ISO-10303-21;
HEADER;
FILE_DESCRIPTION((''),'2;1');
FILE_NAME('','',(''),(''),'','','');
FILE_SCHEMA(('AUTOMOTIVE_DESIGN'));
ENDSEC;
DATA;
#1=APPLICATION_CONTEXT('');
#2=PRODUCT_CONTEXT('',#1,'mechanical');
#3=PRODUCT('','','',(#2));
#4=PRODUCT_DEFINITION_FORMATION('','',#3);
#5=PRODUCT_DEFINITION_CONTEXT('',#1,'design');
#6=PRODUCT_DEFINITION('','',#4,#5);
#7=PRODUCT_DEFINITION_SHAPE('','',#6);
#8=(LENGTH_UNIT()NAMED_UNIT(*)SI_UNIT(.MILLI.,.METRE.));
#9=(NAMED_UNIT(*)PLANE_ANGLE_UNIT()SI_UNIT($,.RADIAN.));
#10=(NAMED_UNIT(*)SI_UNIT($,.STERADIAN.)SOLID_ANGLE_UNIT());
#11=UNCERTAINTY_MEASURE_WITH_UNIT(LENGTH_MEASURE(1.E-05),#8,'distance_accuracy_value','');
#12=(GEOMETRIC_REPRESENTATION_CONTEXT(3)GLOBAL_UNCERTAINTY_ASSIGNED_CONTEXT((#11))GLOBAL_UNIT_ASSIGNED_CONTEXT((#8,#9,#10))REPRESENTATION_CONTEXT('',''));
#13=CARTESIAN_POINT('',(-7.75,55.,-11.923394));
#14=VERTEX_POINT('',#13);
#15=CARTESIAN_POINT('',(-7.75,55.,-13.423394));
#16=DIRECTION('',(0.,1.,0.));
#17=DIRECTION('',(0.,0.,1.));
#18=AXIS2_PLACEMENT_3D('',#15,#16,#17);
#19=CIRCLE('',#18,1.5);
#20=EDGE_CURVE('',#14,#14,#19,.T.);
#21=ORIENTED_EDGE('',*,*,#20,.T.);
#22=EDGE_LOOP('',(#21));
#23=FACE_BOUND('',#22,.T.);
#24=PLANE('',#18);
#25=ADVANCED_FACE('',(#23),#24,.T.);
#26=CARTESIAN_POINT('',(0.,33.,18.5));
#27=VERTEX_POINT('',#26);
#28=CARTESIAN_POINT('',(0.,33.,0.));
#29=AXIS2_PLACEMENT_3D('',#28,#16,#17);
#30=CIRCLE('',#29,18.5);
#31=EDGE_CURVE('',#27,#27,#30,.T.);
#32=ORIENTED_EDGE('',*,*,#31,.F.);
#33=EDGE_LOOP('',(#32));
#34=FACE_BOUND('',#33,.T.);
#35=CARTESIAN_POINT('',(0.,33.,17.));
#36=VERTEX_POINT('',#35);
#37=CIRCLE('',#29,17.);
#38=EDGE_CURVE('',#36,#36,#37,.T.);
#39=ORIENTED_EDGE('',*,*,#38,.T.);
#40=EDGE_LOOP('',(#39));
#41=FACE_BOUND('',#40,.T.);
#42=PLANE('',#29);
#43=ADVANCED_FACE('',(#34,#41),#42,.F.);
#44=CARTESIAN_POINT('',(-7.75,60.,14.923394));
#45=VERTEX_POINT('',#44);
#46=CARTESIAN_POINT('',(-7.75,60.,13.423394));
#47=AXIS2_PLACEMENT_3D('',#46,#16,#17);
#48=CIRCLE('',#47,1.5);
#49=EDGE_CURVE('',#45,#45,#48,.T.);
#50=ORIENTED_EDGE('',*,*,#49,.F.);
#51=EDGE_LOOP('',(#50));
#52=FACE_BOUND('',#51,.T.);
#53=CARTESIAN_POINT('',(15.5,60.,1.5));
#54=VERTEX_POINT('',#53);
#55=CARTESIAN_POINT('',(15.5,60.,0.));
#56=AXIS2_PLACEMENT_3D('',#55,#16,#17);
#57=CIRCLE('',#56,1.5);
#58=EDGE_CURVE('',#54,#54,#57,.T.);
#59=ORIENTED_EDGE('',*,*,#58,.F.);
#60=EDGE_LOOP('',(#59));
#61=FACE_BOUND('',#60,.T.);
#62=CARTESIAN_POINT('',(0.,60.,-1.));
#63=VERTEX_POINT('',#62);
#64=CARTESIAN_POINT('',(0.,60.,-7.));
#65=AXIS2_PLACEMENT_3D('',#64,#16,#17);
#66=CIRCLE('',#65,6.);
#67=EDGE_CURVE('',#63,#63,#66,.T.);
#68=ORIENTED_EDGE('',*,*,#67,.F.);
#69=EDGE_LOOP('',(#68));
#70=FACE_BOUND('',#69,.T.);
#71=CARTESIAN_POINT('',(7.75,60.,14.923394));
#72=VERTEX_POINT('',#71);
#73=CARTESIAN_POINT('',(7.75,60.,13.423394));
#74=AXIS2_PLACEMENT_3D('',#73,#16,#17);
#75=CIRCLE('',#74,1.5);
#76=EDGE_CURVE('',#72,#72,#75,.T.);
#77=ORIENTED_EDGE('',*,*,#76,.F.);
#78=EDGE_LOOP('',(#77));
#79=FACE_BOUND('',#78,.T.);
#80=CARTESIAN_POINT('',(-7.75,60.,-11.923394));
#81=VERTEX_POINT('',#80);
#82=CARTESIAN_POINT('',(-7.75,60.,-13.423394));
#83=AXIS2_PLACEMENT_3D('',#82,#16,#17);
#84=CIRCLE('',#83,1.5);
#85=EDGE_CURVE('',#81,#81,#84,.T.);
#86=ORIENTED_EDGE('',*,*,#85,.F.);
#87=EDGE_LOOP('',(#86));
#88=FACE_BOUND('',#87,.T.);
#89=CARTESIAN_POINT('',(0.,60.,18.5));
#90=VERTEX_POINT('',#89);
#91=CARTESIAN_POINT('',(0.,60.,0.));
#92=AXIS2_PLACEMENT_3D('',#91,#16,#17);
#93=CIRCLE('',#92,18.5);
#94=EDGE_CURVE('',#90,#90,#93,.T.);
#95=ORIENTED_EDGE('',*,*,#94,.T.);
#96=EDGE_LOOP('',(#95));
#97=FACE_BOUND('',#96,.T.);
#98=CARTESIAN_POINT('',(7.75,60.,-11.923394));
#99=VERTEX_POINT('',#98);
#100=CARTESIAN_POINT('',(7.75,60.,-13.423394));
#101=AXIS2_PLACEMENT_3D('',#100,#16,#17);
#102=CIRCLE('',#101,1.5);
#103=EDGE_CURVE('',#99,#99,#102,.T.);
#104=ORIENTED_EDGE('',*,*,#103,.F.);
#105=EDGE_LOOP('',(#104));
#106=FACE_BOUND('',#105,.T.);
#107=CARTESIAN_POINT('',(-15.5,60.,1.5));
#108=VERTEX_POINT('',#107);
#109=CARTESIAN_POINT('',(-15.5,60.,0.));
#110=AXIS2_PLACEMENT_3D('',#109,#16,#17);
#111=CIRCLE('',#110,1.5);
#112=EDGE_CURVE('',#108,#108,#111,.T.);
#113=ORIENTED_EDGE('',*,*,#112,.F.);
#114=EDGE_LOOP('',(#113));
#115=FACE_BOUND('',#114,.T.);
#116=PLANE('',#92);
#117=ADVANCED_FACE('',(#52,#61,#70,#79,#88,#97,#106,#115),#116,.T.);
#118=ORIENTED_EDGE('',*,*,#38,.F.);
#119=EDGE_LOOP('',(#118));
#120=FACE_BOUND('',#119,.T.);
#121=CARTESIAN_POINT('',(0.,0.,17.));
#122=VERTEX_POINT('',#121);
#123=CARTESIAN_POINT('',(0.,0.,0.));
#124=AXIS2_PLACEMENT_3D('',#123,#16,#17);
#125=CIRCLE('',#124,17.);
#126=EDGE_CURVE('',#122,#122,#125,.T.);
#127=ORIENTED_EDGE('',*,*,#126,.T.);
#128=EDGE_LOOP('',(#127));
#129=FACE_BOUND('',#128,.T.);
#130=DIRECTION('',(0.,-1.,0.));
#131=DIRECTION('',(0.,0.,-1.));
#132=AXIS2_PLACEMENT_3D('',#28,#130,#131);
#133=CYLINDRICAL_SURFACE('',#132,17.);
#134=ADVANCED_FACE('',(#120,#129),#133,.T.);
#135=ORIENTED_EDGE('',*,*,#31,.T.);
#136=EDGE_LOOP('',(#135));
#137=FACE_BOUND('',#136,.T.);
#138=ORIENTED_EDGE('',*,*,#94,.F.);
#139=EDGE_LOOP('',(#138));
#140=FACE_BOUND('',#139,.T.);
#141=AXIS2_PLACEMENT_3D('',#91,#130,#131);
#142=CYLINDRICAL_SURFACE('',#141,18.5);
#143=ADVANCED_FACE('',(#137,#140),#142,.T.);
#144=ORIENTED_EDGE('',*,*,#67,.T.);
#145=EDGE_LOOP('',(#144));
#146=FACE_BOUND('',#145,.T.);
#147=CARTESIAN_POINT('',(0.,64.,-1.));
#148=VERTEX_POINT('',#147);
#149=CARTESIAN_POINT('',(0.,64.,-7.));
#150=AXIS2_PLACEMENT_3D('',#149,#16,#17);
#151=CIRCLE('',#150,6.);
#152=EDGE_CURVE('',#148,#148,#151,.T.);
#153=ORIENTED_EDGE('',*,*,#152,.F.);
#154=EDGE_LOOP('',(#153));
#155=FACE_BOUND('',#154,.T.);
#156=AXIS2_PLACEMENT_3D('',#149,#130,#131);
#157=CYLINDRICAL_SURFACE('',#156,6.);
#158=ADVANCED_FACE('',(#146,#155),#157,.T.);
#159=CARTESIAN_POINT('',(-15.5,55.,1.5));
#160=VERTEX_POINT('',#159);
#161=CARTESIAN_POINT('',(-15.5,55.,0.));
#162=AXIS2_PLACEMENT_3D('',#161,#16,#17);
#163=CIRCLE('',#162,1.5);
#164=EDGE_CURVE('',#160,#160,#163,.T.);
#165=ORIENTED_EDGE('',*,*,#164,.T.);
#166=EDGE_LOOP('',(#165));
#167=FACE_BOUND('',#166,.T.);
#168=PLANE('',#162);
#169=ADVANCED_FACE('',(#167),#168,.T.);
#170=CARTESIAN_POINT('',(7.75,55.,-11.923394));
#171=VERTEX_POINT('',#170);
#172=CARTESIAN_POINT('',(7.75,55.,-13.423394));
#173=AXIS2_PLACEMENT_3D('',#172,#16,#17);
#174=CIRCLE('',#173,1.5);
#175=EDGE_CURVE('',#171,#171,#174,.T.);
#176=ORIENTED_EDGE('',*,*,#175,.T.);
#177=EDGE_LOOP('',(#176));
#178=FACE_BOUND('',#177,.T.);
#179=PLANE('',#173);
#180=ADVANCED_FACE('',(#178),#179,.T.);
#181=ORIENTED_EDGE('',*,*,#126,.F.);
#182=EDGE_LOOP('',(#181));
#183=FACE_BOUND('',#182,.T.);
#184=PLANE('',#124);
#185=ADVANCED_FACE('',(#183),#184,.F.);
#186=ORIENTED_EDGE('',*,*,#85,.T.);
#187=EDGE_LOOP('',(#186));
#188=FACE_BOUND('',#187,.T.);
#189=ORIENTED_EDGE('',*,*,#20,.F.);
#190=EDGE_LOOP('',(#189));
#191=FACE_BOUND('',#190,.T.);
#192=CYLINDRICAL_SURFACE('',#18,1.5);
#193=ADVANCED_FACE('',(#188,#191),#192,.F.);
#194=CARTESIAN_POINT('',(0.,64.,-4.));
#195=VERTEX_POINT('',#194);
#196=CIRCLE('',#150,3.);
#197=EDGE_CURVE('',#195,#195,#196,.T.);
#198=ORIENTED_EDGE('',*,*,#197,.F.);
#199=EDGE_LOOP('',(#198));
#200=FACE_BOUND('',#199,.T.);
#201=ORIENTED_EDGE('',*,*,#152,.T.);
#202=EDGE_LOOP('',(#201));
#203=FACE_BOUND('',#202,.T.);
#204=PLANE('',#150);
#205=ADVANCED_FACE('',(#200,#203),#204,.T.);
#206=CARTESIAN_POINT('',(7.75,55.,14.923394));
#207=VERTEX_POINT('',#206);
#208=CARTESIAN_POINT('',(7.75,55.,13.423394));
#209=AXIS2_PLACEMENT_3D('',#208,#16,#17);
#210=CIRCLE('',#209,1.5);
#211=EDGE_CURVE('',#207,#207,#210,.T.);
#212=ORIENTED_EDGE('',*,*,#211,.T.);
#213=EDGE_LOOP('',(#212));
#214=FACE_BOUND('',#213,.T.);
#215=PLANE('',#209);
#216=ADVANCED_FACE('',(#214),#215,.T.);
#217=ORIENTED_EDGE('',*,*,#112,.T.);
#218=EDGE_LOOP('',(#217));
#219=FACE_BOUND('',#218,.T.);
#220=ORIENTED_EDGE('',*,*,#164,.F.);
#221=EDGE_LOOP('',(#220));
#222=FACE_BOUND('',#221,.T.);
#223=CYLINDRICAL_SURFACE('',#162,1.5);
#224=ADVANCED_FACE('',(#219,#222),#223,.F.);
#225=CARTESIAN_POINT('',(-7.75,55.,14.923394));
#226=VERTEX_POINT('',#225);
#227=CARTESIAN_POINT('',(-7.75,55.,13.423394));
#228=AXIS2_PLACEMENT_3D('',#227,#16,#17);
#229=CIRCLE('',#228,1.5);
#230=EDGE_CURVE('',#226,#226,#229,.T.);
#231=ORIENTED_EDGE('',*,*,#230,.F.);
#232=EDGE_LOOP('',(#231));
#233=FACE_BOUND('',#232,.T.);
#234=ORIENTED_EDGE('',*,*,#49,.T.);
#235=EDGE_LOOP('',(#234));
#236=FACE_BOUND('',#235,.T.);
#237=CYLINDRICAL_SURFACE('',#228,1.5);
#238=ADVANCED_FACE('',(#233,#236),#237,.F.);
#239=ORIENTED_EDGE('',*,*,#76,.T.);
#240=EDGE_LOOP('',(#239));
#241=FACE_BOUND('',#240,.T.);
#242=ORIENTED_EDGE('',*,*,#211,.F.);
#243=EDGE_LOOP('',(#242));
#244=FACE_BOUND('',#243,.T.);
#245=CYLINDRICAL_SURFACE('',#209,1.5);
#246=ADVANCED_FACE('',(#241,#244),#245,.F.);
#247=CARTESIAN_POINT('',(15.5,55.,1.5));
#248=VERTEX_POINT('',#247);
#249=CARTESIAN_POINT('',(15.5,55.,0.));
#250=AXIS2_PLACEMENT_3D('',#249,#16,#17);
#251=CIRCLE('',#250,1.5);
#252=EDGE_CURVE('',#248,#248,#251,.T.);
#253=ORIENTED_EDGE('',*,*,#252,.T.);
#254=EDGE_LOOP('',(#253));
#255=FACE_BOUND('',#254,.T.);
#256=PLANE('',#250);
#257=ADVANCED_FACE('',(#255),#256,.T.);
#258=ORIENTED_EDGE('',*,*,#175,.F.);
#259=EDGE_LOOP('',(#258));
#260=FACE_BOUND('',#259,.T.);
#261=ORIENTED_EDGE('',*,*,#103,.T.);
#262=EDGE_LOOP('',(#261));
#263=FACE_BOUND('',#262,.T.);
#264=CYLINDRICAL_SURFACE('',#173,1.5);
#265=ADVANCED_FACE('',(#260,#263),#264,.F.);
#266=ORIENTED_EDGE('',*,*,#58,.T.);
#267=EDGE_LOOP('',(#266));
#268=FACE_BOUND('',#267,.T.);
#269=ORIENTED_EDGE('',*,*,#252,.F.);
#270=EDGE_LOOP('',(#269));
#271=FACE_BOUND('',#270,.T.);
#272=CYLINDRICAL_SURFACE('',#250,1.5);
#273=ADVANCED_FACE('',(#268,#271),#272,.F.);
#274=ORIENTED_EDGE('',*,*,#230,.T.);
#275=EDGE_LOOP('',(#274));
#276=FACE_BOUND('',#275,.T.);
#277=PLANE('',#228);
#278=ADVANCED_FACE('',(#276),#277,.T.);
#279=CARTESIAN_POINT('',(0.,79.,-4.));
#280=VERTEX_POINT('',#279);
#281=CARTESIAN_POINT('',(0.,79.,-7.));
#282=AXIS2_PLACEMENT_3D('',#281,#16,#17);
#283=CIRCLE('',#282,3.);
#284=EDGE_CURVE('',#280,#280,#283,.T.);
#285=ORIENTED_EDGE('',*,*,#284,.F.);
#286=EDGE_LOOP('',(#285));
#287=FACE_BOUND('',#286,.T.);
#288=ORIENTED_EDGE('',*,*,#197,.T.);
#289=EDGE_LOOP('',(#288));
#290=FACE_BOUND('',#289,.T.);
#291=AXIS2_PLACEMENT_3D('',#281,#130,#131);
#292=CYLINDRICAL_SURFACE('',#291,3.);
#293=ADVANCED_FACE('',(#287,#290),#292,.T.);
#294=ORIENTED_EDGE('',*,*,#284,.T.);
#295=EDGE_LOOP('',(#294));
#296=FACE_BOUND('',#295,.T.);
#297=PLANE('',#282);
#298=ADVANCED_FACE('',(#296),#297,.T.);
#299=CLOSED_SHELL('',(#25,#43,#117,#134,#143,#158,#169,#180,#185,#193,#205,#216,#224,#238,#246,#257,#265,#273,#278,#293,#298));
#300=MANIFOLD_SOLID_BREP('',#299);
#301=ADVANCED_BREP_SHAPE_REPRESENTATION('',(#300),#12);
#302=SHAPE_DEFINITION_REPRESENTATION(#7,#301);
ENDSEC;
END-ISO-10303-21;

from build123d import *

# Parameters (mm, degrees)
SKETCH_1_R          = 17
EXTRUDE_1_DEPTH     = 33
SKETCH_2_R          = 18.5
EXTRUDE_2_DEPTH     = 27
SKETCH_3_R          = 6
EXTRUDE_3_DEPTH     = 4
SKETCH_4_R          = 3
EXTRUDE_5_DEPTH     = 15
SKETCH_6_R          = 1.5
CUT_EXTRUDE_1_DEPTH = 5


with BuildPart() as part:
    # 草图1 → 凸台-拉伸1 (new body)
    with BuildSketch(Plane(origin=(0, 0, 0), x_dir=(1, 0, 0), z_dir=(0, 1, 0))):
        with Locations(Location((0, 0, 0), (0, 0, 270))):
            Circle(SKETCH_1_R)
    extrude(amount=EXTRUDE_1_DEPTH)

    # 草图2 → 凸台-拉伸2 (add)
    with BuildSketch(Plane(origin=(0, 33, 0), x_dir=(1, 0, 0), z_dir=(0, 1, 0))):
        with Locations(Location((0, 0, 0), (0, 0, 270))):
            Circle(SKETCH_2_R)
    extrude(amount=EXTRUDE_2_DEPTH)

    # 草图3 → 凸台-拉伸3 (add)
    with BuildSketch(Plane(origin=(0, 60, 0), x_dir=(1, 0, 0), z_dir=(0, 1, 0))):
        with Locations(Location((0, 7, 0), (0, 0, 270))):
            Circle(SKETCH_3_R)
    extrude(amount=EXTRUDE_3_DEPTH)

    # 草图4 → 凸台-拉伸5 (add)
    with BuildSketch(Plane(origin=(0, 64, 0), x_dir=(1, 0, 0), z_dir=(0, 1, 0))):
        with Locations(Location((0, 7, 0), (0, 0, 270))):
            Circle(SKETCH_4_R)
    extrude(amount=EXTRUDE_5_DEPTH)

    # 草图6 → 切除-拉伸1 (cut)
    with BuildSketch(Plane(origin=(0, 60, 0), x_dir=(1, 0, 0), z_dir=(0, 1, 0))):
        with Locations(Location((7.75, 13.423393759, 0), (0, 0, 270))):
            Circle(SKETCH_6_R)
        with Locations(Location((15.5, 0, 0), (0, 0, 270))):
            Circle(SKETCH_6_R)
        with Locations(Location((7.75, -13.423393759, 0), (0, 0, 270))):
            Circle(SKETCH_6_R)
        with Locations(Location((-7.75, -13.423393759, 0), (0, 0, 270))):
            Circle(SKETCH_6_R)
        with Locations(Location((-15.5, 0, 0), (0, 0, 270))):
            Circle(SKETCH_6_R)
        with Locations(Location((-7.75, 13.423393759, 0), (0, 0, 270))):
            Circle(SKETCH_6_R)
    extrude(amount=-CUT_EXTRUDE_1_DEPTH, mode=Mode.SUBTRACT)


solid = part.part
